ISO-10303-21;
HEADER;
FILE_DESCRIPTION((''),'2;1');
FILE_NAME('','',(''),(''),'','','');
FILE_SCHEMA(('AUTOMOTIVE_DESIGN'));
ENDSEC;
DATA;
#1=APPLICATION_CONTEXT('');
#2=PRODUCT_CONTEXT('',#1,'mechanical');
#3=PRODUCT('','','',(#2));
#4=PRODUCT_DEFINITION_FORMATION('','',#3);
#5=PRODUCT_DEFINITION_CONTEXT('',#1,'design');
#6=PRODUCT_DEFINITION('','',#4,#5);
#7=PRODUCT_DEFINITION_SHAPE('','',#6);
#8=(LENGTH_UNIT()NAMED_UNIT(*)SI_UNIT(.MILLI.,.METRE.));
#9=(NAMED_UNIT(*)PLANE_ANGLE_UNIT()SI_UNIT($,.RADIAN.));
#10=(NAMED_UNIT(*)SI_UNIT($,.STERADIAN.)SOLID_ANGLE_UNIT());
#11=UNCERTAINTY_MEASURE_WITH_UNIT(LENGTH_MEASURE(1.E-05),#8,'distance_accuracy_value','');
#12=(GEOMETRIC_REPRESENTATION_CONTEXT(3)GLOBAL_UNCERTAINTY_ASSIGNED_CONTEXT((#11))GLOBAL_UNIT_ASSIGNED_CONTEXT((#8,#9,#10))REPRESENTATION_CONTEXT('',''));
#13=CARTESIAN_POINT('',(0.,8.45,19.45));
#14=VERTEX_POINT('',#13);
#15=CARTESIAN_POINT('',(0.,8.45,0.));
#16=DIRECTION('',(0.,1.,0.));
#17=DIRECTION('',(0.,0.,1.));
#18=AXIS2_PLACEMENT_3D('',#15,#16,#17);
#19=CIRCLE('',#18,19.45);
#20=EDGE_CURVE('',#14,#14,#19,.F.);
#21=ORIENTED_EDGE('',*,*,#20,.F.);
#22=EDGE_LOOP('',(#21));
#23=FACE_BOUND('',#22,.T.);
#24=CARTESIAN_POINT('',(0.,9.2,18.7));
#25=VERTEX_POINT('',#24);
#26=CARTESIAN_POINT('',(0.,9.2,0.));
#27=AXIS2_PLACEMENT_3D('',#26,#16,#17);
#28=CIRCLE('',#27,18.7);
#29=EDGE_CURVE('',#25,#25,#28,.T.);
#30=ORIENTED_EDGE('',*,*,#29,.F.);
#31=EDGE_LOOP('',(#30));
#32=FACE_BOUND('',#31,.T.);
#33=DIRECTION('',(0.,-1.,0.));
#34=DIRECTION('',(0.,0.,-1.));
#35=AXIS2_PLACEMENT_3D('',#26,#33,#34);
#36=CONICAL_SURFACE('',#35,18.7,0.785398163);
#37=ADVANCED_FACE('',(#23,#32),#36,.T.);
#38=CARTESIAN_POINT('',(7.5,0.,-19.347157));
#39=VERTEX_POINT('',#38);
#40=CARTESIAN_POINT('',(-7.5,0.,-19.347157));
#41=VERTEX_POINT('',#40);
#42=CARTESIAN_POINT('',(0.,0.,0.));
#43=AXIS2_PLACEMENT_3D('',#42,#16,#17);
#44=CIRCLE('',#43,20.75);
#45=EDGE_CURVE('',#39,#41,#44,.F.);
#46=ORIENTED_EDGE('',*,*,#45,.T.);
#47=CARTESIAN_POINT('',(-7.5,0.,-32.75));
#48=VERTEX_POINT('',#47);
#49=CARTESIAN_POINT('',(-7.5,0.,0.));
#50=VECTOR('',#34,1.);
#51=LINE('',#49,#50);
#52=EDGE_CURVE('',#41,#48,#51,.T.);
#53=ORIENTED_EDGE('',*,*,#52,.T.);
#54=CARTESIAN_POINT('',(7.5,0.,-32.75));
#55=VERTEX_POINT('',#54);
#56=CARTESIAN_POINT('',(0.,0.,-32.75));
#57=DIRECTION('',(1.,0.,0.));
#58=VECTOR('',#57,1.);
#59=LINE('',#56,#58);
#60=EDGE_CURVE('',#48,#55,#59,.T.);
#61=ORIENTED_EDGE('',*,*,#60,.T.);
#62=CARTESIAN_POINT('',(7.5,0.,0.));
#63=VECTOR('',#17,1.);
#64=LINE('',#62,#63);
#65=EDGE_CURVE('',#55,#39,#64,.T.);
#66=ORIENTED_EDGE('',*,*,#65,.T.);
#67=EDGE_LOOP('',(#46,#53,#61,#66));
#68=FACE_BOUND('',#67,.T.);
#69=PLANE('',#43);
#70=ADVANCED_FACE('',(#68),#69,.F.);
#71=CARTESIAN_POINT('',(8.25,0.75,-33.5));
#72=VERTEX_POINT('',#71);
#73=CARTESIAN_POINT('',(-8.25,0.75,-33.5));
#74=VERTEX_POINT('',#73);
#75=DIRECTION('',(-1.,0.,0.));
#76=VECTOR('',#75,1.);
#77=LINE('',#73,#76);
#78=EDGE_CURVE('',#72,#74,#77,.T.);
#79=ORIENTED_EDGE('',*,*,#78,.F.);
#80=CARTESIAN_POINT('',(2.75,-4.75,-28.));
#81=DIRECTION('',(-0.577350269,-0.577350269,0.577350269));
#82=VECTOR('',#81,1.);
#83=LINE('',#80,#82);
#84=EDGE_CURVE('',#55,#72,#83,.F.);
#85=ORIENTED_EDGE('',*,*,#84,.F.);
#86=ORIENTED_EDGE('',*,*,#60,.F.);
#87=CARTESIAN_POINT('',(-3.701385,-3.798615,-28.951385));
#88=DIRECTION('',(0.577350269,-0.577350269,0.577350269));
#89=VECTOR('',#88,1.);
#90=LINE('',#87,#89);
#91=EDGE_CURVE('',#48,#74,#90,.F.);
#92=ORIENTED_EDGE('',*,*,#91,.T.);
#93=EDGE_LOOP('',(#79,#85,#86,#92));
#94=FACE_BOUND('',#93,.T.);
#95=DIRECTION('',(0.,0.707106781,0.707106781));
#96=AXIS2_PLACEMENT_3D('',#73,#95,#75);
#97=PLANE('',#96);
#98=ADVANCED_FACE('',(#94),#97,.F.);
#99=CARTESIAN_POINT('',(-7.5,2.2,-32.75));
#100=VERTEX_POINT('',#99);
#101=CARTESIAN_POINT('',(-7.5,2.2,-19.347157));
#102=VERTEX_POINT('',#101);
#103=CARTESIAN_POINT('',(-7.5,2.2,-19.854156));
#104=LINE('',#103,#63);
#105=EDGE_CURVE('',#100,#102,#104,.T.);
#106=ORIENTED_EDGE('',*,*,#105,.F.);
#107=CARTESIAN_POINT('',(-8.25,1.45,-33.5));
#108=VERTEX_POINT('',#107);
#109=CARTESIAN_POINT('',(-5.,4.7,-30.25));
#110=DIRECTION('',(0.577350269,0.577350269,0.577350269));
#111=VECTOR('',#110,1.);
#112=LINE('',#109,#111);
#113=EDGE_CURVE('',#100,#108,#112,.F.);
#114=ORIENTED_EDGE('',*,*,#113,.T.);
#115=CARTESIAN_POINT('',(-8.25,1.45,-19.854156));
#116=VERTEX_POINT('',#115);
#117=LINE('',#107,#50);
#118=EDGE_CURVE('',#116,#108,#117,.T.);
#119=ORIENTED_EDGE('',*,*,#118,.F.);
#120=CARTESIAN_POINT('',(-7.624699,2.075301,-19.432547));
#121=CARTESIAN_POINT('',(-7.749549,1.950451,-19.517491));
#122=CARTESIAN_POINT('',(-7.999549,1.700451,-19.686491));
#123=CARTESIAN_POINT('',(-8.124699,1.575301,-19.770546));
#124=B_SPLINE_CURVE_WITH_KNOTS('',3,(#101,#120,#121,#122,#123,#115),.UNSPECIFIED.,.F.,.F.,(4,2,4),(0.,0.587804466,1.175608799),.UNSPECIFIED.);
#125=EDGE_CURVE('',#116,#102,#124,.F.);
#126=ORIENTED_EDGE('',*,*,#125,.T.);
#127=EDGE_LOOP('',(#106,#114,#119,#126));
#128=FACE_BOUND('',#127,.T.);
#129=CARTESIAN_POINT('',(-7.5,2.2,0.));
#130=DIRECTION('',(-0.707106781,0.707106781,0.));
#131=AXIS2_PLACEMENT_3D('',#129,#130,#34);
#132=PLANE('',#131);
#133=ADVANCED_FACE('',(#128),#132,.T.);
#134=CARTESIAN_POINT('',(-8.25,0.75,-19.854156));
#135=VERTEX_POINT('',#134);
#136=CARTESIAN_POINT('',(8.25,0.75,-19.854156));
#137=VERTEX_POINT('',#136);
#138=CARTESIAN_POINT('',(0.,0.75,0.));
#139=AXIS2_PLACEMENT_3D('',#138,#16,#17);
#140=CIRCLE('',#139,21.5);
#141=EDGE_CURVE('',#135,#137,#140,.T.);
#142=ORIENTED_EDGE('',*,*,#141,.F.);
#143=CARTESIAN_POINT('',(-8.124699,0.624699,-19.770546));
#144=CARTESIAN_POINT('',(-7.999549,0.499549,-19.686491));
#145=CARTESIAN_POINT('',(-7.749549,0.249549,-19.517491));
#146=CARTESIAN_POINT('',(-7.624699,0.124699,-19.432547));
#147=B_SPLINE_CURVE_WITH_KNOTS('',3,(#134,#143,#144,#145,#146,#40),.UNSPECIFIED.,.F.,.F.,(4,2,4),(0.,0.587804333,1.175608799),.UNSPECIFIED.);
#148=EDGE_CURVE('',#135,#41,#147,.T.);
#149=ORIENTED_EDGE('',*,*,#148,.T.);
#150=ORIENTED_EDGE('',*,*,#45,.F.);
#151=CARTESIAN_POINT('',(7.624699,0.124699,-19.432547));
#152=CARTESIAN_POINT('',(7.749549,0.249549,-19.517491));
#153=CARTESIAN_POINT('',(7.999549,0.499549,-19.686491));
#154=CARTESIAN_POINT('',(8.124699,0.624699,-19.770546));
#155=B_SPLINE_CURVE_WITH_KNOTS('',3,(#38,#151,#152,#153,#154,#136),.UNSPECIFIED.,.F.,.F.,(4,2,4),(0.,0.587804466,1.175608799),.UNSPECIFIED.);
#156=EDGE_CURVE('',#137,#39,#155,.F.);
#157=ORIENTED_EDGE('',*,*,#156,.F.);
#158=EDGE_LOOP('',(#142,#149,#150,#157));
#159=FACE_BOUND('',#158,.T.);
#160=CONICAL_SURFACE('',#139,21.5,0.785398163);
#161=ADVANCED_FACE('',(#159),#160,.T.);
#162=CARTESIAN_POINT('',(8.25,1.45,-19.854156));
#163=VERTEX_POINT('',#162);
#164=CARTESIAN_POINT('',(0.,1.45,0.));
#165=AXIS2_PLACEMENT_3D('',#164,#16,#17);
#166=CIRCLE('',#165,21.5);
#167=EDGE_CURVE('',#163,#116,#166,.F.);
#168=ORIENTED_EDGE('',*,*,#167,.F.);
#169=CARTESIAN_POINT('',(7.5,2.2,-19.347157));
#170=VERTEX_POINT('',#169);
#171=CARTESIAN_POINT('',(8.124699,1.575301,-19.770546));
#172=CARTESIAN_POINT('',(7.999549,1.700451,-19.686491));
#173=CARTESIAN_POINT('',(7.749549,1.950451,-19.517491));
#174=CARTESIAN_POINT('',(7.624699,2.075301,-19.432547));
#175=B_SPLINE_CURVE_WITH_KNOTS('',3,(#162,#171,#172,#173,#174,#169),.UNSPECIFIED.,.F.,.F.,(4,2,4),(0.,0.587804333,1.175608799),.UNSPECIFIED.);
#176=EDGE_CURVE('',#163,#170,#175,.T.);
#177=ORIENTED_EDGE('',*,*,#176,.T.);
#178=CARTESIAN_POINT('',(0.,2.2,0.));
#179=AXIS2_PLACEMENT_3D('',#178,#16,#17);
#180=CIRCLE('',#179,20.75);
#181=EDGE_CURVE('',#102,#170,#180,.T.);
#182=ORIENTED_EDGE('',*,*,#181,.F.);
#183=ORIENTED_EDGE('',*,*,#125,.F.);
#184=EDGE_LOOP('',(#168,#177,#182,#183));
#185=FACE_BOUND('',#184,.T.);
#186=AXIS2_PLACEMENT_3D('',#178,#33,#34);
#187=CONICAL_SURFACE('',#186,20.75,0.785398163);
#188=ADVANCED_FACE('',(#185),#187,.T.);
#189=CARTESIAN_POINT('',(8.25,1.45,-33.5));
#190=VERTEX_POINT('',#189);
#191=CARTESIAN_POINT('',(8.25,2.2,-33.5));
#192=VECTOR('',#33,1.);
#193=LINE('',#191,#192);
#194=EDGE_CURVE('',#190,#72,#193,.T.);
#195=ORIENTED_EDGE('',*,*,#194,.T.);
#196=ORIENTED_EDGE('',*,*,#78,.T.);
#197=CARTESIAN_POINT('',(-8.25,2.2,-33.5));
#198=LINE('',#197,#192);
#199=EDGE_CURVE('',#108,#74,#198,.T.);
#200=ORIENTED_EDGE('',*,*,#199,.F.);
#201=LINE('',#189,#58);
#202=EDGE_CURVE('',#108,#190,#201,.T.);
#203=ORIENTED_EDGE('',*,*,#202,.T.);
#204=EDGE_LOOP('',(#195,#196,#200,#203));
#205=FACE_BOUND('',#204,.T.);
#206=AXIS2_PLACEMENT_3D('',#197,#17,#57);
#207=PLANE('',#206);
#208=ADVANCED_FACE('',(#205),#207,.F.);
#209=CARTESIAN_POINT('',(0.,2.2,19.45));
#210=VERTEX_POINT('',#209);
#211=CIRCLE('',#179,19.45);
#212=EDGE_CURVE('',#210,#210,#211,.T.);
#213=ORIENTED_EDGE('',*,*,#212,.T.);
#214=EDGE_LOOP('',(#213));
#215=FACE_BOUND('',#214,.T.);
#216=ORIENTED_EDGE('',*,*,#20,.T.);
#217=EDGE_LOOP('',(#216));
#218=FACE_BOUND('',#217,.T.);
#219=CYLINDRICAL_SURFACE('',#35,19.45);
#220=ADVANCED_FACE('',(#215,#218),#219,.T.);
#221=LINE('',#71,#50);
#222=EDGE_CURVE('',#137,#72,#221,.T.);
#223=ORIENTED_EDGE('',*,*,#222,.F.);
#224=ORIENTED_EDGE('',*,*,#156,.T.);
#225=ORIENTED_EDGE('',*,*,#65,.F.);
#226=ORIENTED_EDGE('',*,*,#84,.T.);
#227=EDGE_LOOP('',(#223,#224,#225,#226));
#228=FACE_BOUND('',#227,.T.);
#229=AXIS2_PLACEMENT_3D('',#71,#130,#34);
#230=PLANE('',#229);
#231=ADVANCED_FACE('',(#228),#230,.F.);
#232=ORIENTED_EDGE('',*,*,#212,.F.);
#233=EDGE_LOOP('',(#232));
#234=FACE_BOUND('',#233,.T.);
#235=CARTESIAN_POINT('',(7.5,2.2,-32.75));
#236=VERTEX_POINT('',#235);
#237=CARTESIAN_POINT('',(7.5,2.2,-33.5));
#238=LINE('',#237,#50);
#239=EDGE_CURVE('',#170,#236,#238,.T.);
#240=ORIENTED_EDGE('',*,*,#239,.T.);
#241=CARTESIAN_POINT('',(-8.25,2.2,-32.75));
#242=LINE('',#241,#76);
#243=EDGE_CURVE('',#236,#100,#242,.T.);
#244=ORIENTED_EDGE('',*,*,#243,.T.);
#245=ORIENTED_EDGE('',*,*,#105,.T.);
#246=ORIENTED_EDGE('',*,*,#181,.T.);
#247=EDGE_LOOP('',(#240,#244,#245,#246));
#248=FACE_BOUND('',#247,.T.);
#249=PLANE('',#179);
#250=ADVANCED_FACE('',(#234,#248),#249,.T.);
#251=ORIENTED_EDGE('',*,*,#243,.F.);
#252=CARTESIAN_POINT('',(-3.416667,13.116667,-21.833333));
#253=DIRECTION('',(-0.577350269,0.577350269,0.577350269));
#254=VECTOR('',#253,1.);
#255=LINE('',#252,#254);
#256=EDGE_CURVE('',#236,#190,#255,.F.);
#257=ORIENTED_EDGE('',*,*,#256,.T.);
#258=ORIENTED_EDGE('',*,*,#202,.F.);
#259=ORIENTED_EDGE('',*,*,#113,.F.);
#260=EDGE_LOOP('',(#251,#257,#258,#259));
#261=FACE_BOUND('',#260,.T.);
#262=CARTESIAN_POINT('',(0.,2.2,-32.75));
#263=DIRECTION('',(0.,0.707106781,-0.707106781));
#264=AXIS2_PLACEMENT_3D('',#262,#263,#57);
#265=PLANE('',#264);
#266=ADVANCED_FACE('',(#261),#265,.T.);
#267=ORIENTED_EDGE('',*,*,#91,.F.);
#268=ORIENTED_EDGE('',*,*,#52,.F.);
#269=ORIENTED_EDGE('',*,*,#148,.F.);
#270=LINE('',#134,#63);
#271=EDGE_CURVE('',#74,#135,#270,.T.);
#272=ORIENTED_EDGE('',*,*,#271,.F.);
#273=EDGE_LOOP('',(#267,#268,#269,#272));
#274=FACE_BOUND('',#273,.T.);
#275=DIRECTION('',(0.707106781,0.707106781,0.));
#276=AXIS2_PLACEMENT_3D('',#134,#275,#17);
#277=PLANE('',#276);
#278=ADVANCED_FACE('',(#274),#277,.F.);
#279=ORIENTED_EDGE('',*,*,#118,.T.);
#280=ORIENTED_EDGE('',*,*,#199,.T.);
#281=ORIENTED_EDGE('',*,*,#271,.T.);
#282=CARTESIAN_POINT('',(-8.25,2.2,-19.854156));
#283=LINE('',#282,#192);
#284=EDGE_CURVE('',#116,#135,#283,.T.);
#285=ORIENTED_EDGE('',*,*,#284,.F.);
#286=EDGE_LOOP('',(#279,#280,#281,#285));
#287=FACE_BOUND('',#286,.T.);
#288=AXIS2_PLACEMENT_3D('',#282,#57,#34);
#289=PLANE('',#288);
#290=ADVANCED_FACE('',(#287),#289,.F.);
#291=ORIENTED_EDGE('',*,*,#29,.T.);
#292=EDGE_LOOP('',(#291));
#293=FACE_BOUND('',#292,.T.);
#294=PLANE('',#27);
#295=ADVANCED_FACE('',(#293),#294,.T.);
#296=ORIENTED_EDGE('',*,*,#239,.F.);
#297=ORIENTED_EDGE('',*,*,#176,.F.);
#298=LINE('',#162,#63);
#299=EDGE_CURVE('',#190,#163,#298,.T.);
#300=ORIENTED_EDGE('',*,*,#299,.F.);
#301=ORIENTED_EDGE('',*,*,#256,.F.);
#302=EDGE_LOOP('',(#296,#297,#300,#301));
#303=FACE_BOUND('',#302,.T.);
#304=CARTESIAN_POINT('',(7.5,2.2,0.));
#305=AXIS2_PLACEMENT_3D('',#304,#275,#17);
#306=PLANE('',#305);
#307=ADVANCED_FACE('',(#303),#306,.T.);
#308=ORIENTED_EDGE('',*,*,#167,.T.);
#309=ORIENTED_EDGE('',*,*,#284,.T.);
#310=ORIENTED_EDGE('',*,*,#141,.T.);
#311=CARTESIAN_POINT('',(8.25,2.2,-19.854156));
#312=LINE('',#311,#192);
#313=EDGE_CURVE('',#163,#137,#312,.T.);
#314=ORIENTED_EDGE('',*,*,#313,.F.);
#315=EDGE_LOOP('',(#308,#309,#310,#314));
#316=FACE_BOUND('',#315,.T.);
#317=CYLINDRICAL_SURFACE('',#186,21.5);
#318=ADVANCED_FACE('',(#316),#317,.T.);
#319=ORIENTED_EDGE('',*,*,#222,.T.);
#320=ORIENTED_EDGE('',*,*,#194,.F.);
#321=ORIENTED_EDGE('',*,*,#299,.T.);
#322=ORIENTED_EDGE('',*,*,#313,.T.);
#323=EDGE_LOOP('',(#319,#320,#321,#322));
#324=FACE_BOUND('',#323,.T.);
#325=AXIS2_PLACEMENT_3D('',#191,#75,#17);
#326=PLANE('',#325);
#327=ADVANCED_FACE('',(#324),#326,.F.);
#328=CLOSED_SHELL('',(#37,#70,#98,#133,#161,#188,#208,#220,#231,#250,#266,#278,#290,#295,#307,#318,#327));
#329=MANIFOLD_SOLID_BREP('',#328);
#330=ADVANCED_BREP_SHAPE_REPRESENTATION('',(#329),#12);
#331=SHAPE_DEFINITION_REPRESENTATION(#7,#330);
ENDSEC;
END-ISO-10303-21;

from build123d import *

# Parameters (mm, degrees)
BOSS_EXTRUDE1_DEPTH = 2.2
SKETCH2_R           = 19.45
BOSS_EXTRUDE2_DEPTH = 7
CHAMFER1_SIZE       = 0.75


with BuildPart() as part:
    # Sketch1 → Boss-Extrude1 (new body)
    with BuildSketch(Plane(origin=(0, 0, 0), x_dir=(1, 0, 0), z_dir=(0, 1, 0))):
        with BuildLine():
            Line((-8.25, 19.854155736), (-8.25, 33.5))
            Line((-8.25, 33.5), (8.25, 33.5))
            Line((8.25, 33.5), (8.25, 19.854155736))
            ThreePointArc((8.25, 19.854155736), (0, -21.5), (-8.25, 19.854155736))
        make_face()
    extrude(amount=BOSS_EXTRUDE1_DEPTH)

    # Sketch2 → Boss-Extrude2 (add)
    with BuildSketch(Plane(origin=(0, 2.2, 0), x_dir=(1, 0, 0), z_dir=(0, 1, 0))):
        with Locations(Location((0, 0, 0), (0, 0, 270))):
            Circle(SKETCH2_R)
    extrude(amount=BOSS_EXTRUDE2_DEPTH)

    # Chamfer1
    chamfer1_edges = [part.edges().sort_by_distance(p)[0] for p in [
        (0, 2.2, -33.5),
        (0, 9.2, -19.45),
        (-8.25, 2.2, -26.677077868),
        (0, 2.2, 21.5),
        (-8.25, 0, -26.677077868),
        (0, 0, -33.5),
        (8.25, 0, -26.677077868),
        (0, 0, 21.5),
        (8.25, 2.2, -26.677077868),
    ]]
    chamfer(chamfer1_edges, length=CHAMFER1_SIZE)


solid = part.part
